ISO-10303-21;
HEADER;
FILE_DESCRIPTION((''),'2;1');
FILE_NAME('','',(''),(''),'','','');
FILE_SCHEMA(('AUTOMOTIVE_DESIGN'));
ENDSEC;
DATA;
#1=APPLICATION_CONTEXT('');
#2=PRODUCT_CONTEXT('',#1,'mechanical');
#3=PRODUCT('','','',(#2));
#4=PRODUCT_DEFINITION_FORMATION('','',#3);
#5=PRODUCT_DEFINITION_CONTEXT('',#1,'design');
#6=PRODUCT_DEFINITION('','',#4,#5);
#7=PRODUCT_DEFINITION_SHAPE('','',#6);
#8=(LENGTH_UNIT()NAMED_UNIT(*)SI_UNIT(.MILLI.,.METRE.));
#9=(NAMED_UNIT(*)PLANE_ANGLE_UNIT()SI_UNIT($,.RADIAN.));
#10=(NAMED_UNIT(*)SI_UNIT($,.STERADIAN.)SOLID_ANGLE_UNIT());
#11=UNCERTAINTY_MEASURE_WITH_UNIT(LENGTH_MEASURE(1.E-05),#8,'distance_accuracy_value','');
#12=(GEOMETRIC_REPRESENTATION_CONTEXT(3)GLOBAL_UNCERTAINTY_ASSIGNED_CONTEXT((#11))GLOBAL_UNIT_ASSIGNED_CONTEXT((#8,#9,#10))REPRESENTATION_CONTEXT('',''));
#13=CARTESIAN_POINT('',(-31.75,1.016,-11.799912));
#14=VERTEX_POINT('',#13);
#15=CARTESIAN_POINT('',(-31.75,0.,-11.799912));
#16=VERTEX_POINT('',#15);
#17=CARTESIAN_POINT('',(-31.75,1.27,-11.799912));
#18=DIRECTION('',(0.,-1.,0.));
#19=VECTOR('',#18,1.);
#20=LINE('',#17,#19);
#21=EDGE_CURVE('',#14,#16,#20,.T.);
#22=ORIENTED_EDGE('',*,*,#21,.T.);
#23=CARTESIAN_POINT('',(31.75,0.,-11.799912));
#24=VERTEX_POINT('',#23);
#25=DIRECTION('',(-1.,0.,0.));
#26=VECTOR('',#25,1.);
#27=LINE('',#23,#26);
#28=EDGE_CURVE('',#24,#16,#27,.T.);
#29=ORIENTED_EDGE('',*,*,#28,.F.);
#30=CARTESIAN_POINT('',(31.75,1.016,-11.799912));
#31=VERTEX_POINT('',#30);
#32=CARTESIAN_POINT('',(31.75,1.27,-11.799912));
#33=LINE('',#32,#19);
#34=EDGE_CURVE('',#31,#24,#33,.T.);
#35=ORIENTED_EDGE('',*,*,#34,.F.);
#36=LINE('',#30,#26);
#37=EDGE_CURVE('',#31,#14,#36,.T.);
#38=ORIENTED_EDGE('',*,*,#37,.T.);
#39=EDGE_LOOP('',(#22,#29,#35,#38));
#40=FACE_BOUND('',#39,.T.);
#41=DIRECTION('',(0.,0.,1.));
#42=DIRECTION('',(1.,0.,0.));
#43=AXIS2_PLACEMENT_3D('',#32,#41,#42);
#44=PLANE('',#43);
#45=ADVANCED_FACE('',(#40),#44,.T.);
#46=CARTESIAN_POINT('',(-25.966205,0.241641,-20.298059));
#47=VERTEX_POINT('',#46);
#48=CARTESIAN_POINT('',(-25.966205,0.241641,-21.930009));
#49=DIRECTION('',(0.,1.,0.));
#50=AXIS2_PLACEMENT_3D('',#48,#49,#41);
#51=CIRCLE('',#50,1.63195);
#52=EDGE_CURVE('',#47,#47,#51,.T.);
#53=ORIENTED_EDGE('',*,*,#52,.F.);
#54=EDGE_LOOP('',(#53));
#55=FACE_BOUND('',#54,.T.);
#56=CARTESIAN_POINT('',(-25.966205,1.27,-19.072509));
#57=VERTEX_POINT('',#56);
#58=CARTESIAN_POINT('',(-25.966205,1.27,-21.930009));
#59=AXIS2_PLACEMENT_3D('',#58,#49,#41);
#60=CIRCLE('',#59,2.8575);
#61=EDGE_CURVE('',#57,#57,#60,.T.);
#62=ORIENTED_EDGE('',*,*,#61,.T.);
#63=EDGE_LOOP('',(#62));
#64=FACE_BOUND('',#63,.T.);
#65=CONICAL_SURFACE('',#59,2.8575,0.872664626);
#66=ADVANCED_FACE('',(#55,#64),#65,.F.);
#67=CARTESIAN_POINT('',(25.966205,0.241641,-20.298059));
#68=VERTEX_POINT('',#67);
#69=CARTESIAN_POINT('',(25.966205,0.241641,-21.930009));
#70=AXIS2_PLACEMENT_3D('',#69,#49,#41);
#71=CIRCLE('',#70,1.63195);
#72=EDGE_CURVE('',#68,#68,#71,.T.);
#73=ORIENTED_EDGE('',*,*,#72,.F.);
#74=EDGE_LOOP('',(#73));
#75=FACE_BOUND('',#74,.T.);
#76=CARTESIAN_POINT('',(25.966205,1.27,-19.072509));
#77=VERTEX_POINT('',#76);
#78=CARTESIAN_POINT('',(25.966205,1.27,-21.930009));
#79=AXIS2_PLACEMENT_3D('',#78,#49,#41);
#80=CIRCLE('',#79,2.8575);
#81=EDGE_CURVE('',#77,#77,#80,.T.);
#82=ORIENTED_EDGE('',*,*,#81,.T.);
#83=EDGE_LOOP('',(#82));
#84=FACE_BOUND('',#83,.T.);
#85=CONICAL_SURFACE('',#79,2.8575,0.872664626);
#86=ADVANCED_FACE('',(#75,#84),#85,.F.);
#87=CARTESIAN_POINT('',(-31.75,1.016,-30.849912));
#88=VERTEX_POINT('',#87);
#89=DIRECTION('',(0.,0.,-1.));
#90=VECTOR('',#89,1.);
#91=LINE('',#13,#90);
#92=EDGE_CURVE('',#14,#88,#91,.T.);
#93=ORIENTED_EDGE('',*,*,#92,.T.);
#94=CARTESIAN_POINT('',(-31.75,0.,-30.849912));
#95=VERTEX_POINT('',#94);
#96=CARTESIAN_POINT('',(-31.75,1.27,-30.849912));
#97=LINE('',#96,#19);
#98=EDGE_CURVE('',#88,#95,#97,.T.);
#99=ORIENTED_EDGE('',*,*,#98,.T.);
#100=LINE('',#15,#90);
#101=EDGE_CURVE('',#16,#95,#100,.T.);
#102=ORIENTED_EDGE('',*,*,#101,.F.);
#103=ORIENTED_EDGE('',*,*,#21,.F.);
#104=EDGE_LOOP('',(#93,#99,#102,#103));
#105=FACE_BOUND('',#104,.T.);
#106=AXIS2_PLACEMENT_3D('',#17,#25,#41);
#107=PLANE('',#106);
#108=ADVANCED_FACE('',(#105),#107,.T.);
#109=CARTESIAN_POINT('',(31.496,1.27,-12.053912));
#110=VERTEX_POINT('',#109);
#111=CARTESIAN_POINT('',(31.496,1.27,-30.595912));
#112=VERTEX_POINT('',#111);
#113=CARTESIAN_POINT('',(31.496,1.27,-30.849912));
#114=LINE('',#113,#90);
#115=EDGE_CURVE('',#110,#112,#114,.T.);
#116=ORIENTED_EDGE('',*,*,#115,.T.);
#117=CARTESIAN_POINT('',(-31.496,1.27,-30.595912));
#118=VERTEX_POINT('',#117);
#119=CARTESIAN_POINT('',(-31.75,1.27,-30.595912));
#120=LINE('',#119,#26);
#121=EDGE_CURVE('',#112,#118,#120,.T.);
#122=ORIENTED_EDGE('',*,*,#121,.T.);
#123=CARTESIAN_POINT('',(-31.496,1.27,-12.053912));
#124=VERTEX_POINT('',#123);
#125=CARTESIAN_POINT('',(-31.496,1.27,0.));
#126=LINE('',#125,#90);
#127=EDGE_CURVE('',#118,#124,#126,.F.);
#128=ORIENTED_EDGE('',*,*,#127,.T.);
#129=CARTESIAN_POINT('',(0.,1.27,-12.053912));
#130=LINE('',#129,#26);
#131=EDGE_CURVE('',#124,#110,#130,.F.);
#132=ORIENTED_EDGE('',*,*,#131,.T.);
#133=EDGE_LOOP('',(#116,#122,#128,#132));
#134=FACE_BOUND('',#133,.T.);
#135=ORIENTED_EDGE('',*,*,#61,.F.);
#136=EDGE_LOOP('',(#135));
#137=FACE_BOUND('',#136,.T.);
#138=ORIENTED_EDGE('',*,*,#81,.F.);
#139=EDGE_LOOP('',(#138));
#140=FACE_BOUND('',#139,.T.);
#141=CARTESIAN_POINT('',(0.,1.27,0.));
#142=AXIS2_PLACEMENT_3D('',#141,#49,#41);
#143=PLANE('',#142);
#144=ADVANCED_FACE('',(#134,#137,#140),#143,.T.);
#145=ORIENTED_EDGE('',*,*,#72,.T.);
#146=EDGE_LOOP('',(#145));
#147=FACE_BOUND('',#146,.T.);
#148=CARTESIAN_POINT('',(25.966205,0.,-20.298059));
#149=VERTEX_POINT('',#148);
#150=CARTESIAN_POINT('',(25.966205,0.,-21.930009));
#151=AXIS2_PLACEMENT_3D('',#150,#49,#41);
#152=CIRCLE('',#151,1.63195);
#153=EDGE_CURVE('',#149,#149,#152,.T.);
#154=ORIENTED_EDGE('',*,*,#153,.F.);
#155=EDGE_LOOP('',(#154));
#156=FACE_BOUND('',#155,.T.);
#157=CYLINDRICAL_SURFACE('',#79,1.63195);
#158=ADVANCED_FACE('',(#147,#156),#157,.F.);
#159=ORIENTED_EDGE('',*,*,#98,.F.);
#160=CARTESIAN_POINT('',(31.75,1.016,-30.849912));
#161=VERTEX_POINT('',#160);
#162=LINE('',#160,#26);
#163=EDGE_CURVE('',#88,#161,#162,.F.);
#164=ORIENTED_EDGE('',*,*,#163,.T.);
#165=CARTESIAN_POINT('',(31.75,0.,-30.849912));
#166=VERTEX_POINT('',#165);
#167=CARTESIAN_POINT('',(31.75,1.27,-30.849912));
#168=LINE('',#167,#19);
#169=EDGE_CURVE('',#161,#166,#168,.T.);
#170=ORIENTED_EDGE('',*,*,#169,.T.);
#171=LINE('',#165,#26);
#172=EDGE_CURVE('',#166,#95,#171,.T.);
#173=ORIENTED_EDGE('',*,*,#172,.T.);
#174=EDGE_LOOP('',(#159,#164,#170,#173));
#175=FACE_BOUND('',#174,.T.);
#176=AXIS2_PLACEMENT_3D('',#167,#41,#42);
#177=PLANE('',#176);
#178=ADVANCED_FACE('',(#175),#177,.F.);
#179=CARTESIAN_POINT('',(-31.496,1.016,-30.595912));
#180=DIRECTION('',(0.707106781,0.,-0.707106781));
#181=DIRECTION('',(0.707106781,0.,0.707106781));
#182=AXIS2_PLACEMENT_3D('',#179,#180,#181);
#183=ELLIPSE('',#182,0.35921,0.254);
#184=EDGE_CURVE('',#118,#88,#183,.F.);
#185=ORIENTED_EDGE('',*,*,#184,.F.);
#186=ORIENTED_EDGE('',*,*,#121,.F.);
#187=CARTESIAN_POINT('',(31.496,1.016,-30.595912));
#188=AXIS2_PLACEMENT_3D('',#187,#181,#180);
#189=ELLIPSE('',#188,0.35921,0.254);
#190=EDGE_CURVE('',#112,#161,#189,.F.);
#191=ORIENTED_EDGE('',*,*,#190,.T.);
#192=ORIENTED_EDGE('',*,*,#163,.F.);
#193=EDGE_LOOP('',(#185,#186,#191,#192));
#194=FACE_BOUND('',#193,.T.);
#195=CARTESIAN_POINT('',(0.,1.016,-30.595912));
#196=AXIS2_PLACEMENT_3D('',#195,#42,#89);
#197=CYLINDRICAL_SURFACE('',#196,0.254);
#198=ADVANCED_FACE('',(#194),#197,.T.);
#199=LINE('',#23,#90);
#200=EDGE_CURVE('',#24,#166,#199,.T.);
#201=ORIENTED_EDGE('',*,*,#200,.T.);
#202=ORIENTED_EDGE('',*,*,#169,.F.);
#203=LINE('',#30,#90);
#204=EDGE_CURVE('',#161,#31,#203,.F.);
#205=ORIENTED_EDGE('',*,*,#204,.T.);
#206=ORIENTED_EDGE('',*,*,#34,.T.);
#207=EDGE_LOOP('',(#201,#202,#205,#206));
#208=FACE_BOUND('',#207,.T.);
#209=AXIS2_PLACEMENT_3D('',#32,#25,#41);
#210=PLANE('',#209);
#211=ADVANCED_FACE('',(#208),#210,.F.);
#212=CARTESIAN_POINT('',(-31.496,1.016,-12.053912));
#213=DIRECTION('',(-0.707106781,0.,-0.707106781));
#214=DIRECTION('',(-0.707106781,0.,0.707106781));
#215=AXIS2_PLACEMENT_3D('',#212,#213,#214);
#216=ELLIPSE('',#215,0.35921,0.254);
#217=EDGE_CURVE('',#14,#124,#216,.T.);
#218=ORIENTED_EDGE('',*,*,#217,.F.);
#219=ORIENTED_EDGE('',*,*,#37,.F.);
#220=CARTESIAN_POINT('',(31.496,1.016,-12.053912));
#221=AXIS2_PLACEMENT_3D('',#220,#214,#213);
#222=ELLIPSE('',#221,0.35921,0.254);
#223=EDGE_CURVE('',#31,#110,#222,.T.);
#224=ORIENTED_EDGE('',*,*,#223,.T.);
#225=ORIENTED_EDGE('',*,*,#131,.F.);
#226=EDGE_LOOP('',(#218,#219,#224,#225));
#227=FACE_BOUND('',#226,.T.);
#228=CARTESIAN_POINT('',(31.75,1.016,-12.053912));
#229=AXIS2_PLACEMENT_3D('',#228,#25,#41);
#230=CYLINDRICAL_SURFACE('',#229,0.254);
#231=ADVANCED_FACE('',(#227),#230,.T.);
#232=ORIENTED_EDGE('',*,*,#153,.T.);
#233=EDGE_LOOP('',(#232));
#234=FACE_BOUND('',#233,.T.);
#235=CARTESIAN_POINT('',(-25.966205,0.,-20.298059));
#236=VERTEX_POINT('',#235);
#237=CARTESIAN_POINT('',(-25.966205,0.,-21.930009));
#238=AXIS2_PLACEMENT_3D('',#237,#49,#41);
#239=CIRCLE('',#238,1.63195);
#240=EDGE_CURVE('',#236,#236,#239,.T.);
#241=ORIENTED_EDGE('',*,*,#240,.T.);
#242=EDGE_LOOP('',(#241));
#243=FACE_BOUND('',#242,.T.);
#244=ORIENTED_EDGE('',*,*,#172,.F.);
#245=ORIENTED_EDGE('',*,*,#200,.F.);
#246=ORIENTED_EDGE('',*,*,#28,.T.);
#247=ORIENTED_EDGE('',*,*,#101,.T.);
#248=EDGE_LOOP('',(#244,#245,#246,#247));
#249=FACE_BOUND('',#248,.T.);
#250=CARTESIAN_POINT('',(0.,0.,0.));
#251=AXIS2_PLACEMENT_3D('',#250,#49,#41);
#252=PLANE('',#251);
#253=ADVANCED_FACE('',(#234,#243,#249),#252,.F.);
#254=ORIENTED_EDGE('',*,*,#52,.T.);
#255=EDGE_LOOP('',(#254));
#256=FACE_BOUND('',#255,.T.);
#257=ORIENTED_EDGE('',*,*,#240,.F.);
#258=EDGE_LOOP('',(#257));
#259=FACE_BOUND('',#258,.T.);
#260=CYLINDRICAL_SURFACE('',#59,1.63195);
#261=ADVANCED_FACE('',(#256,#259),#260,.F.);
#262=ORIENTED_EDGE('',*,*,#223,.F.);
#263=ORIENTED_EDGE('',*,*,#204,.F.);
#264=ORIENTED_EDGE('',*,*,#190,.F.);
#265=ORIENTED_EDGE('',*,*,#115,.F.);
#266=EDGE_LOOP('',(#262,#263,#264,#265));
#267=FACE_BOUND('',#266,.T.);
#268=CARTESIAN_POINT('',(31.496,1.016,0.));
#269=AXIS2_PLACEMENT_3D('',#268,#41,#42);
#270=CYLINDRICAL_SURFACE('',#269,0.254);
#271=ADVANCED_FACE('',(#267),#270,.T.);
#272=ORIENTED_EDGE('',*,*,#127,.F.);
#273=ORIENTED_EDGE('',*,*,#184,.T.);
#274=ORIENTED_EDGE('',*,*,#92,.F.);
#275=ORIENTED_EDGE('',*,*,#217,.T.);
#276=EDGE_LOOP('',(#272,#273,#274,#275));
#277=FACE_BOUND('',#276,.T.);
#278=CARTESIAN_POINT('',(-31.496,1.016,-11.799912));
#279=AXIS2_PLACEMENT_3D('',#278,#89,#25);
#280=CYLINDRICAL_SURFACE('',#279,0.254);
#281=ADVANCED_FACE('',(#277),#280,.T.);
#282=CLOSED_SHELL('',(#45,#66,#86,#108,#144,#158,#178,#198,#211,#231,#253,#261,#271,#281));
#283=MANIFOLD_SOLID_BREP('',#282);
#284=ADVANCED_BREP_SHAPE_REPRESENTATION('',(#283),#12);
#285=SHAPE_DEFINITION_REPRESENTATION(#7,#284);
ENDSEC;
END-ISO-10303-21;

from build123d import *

# Parameters (mm, degrees)
SKETCH1_W                                 = 63.5
SKETCH1_H                                 = 19.05
BOSS_EXTRUDE1_DEPTH                       = 1.27
CSK_FOR_4_FLAT_HEAD_MACHINE_SCREW_2_COUNT = 2
CSK_FOR_4_FLAT_HEAD_MACHINE_SCREW_2_PITCH = 51.93240976
FILLET2_R                                 = 0.254


with BuildPart() as part:
    # Sketch1 → Boss-Extrude1 (new body)
    with BuildSketch(Plane(origin=(0, 0, 0), x_dir=(1, 0, 0), z_dir=(0, 1, 0))):
        with Locations((0, 21.324911643)):
            Rectangle(SKETCH1_W, SKETCH1_H)
    extrude(amount=BOSS_EXTRUDE1_DEPTH)

    # Sketch15 → CSK for #4 Flat Head Machine Screw (100)2 (revolve, cut)
    with BuildSketch(Plane(origin=(-25.96620488, 1.27, -21.930009473), x_dir=(0, 0, 1), z_dir=(1, 0, 0))):
        Polygon((0, 0), (0, 1.27), (1.63195, 1.27), (1.63195, 1.028358553), (2.8575, 0), align=None)
    csk_for_4_flat_head_machine_screw_100 = revolve(axis=Axis((-25.96620488, 7.62, -21.930009473), (0, -1, 0)), mode=Mode.SUBTRACT)

    # CSK for _4 Flat Head Machine Screw _ 2: CSK for #4 Flat Head Machine Screw (100)2 ×2
    with Locations(*[(i * CSK_FOR_4_FLAT_HEAD_MACHINE_SCREW_2_PITCH, 0, 0) for i in range(1, CSK_FOR_4_FLAT_HEAD_MACHINE_SCREW_2_COUNT)]):
        add(csk_for_4_flat_head_machine_screw_100, mode=Mode.SUBTRACT)

    # Fillet2
    fillet2_edges = [part.edges().sort_by_distance(p)[0] for p in [
        (-31.75, 1.27, -21.324911643),
        (0, 1.27, -11.799911643),
        (31.75, 1.27, -21.324911643),
        (0, 1.27, -30.849911643),
    ]]
    fillet(fillet2_edges, radius=FILLET2_R)


solid = part.part
